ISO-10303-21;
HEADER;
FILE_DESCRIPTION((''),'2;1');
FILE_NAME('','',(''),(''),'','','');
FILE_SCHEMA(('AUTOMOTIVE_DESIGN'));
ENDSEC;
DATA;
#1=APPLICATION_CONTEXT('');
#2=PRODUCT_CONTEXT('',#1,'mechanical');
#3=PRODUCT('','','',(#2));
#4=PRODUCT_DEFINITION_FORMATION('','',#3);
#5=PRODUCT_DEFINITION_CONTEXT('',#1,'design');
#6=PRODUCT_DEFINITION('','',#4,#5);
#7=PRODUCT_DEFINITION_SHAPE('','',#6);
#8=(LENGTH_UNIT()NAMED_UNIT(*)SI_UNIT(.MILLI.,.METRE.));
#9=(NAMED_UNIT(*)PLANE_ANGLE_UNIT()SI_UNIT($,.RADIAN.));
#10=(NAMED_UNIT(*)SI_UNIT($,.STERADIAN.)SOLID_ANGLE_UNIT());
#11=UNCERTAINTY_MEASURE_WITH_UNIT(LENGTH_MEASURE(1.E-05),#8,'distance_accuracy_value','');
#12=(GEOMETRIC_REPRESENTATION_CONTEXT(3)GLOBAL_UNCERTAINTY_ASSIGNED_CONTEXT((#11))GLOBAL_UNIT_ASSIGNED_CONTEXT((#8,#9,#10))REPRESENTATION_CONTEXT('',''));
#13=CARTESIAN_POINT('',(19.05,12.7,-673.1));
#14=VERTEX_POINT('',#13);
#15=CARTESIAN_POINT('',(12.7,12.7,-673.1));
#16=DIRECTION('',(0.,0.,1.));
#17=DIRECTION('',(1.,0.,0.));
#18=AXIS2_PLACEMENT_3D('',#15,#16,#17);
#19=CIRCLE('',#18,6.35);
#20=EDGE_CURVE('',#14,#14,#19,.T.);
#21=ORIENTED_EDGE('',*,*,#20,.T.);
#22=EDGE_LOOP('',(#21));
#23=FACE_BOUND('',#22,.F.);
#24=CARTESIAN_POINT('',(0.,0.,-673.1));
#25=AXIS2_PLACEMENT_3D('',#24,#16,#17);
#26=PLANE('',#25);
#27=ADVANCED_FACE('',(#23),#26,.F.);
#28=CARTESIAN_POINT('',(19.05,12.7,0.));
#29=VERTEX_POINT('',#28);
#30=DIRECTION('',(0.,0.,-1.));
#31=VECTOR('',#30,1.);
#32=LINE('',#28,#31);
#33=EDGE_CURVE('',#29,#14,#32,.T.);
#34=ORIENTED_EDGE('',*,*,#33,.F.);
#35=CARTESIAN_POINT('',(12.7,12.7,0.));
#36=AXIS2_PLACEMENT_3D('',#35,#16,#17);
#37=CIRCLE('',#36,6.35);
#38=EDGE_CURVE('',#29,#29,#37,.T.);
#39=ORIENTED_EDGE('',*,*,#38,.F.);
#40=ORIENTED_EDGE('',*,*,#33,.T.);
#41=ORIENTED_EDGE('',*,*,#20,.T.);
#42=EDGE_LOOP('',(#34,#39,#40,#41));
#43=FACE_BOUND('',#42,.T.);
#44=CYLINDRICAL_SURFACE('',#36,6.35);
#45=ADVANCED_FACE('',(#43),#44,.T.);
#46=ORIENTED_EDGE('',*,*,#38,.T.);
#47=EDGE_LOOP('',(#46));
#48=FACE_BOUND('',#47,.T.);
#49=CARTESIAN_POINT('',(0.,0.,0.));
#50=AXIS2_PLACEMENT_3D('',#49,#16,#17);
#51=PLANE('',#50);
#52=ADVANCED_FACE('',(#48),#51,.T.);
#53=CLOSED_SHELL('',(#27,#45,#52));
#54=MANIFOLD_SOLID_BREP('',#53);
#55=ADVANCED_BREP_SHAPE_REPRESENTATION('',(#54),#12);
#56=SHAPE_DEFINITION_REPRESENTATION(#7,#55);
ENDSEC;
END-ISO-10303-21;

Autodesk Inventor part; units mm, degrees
ref_plane "YZ Plane" through (0, 0, 0) normal (1, 0, 0) x (0, 1, 0)
ref_plane "XZ Plane" through (0, 0, 0) normal (0, 1, 0) x (-1, 0, 0)
sketch "Sketch1" plane through (0, 0, 0) normal (0, 0, 1) x (1, 0, 0)
  circle A0 centre (12.7, 12.7) radius 6.35 projected
  point P0 (0, 0)
ref_plane "Work Plane1" through (-4.9109, -0.1693, -673.1) normal (0, 0, -1) x (0, 1, 0)
extrude "Extrusion1" add sketch "Sketch1" against normal up to surface (673.1 mm away)
properties part number "Hook Concept Cross Bar"
